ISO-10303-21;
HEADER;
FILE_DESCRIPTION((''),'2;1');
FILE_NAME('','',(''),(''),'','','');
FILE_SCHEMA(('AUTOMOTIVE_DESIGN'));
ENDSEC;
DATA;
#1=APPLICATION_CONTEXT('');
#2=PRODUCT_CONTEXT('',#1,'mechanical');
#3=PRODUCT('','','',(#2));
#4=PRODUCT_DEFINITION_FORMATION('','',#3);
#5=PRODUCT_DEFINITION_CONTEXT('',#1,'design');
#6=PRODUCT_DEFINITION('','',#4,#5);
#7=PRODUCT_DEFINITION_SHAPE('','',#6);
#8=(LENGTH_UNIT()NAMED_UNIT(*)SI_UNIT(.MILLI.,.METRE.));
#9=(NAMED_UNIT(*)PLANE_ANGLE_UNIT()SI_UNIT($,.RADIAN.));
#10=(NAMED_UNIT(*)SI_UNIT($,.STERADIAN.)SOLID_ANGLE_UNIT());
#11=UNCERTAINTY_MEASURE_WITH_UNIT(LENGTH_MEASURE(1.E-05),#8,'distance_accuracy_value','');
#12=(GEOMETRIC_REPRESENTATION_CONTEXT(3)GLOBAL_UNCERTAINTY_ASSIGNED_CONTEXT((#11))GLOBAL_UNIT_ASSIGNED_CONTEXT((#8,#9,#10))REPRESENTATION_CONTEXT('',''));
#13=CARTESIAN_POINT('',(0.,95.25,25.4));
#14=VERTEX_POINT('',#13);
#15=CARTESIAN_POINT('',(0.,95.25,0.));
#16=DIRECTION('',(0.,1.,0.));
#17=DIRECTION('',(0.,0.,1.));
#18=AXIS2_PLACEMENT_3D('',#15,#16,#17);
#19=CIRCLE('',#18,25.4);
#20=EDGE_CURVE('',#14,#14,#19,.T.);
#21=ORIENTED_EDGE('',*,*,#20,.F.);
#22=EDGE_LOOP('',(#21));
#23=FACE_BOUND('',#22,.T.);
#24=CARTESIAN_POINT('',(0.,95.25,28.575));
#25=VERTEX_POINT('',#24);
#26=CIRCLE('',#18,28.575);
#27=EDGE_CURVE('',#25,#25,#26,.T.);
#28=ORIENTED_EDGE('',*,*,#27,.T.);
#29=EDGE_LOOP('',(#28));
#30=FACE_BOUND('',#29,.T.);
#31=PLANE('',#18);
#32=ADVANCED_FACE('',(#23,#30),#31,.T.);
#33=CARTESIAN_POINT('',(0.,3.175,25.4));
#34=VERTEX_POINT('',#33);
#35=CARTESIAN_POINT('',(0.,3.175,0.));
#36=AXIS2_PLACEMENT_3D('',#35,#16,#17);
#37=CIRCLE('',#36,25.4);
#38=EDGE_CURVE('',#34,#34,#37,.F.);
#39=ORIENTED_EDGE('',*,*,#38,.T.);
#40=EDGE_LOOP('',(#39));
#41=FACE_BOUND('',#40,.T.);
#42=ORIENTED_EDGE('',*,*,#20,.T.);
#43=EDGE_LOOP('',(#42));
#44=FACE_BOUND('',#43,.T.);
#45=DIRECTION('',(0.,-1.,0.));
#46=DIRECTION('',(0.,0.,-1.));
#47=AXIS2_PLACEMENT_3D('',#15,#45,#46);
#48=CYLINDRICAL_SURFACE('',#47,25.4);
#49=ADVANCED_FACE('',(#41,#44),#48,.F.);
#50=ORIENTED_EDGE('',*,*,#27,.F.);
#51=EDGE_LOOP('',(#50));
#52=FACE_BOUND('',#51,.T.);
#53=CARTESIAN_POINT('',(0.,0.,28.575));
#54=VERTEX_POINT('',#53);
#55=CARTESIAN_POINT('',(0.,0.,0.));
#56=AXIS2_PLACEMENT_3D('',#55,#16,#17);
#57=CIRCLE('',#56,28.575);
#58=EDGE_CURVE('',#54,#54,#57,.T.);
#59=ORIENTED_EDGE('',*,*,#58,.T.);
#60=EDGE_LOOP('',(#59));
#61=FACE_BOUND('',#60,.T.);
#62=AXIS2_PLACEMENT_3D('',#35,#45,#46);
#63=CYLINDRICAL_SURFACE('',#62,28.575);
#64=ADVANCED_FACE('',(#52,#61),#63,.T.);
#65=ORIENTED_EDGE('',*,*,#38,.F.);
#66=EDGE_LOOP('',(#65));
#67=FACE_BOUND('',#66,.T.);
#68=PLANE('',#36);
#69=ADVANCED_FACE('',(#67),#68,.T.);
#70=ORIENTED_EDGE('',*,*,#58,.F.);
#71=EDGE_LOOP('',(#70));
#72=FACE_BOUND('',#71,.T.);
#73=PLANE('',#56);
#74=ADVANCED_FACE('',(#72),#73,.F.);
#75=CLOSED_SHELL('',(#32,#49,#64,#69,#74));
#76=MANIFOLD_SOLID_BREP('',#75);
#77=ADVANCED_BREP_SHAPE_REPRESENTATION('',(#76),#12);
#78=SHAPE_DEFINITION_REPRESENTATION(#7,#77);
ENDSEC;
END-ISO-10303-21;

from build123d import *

# Parameters (mm, degrees)
SKETCH1_R           = 28.575
BOSS_EXTRUDE1_DEPTH = 3.175
SKETCH2_R           = 28.575
SKETCH2_R_2         = 25.4
BOSS_EXTRUDE2_DEPTH = 92.075


with BuildPart() as part:
    # Sketch1 → Boss-Extrude1 (new body)
    with BuildSketch(Plane(origin=(0, 0, 0), x_dir=(1, 0, 0), z_dir=(0, 1, 0))):
        Circle(SKETCH1_R)
    extrude(amount=BOSS_EXTRUDE1_DEPTH)

    # Sketch2 → Boss-Extrude2 (add)
    with BuildSketch(Plane(origin=(0, 3.175, 0), x_dir=(1, 0, 0), z_dir=(0, 1, 0))):
        Circle(SKETCH2_R)
        Circle(SKETCH2_R_2, mode=Mode.SUBTRACT)
    extrude(amount=BOSS_EXTRUDE2_DEPTH)


solid = part.part
